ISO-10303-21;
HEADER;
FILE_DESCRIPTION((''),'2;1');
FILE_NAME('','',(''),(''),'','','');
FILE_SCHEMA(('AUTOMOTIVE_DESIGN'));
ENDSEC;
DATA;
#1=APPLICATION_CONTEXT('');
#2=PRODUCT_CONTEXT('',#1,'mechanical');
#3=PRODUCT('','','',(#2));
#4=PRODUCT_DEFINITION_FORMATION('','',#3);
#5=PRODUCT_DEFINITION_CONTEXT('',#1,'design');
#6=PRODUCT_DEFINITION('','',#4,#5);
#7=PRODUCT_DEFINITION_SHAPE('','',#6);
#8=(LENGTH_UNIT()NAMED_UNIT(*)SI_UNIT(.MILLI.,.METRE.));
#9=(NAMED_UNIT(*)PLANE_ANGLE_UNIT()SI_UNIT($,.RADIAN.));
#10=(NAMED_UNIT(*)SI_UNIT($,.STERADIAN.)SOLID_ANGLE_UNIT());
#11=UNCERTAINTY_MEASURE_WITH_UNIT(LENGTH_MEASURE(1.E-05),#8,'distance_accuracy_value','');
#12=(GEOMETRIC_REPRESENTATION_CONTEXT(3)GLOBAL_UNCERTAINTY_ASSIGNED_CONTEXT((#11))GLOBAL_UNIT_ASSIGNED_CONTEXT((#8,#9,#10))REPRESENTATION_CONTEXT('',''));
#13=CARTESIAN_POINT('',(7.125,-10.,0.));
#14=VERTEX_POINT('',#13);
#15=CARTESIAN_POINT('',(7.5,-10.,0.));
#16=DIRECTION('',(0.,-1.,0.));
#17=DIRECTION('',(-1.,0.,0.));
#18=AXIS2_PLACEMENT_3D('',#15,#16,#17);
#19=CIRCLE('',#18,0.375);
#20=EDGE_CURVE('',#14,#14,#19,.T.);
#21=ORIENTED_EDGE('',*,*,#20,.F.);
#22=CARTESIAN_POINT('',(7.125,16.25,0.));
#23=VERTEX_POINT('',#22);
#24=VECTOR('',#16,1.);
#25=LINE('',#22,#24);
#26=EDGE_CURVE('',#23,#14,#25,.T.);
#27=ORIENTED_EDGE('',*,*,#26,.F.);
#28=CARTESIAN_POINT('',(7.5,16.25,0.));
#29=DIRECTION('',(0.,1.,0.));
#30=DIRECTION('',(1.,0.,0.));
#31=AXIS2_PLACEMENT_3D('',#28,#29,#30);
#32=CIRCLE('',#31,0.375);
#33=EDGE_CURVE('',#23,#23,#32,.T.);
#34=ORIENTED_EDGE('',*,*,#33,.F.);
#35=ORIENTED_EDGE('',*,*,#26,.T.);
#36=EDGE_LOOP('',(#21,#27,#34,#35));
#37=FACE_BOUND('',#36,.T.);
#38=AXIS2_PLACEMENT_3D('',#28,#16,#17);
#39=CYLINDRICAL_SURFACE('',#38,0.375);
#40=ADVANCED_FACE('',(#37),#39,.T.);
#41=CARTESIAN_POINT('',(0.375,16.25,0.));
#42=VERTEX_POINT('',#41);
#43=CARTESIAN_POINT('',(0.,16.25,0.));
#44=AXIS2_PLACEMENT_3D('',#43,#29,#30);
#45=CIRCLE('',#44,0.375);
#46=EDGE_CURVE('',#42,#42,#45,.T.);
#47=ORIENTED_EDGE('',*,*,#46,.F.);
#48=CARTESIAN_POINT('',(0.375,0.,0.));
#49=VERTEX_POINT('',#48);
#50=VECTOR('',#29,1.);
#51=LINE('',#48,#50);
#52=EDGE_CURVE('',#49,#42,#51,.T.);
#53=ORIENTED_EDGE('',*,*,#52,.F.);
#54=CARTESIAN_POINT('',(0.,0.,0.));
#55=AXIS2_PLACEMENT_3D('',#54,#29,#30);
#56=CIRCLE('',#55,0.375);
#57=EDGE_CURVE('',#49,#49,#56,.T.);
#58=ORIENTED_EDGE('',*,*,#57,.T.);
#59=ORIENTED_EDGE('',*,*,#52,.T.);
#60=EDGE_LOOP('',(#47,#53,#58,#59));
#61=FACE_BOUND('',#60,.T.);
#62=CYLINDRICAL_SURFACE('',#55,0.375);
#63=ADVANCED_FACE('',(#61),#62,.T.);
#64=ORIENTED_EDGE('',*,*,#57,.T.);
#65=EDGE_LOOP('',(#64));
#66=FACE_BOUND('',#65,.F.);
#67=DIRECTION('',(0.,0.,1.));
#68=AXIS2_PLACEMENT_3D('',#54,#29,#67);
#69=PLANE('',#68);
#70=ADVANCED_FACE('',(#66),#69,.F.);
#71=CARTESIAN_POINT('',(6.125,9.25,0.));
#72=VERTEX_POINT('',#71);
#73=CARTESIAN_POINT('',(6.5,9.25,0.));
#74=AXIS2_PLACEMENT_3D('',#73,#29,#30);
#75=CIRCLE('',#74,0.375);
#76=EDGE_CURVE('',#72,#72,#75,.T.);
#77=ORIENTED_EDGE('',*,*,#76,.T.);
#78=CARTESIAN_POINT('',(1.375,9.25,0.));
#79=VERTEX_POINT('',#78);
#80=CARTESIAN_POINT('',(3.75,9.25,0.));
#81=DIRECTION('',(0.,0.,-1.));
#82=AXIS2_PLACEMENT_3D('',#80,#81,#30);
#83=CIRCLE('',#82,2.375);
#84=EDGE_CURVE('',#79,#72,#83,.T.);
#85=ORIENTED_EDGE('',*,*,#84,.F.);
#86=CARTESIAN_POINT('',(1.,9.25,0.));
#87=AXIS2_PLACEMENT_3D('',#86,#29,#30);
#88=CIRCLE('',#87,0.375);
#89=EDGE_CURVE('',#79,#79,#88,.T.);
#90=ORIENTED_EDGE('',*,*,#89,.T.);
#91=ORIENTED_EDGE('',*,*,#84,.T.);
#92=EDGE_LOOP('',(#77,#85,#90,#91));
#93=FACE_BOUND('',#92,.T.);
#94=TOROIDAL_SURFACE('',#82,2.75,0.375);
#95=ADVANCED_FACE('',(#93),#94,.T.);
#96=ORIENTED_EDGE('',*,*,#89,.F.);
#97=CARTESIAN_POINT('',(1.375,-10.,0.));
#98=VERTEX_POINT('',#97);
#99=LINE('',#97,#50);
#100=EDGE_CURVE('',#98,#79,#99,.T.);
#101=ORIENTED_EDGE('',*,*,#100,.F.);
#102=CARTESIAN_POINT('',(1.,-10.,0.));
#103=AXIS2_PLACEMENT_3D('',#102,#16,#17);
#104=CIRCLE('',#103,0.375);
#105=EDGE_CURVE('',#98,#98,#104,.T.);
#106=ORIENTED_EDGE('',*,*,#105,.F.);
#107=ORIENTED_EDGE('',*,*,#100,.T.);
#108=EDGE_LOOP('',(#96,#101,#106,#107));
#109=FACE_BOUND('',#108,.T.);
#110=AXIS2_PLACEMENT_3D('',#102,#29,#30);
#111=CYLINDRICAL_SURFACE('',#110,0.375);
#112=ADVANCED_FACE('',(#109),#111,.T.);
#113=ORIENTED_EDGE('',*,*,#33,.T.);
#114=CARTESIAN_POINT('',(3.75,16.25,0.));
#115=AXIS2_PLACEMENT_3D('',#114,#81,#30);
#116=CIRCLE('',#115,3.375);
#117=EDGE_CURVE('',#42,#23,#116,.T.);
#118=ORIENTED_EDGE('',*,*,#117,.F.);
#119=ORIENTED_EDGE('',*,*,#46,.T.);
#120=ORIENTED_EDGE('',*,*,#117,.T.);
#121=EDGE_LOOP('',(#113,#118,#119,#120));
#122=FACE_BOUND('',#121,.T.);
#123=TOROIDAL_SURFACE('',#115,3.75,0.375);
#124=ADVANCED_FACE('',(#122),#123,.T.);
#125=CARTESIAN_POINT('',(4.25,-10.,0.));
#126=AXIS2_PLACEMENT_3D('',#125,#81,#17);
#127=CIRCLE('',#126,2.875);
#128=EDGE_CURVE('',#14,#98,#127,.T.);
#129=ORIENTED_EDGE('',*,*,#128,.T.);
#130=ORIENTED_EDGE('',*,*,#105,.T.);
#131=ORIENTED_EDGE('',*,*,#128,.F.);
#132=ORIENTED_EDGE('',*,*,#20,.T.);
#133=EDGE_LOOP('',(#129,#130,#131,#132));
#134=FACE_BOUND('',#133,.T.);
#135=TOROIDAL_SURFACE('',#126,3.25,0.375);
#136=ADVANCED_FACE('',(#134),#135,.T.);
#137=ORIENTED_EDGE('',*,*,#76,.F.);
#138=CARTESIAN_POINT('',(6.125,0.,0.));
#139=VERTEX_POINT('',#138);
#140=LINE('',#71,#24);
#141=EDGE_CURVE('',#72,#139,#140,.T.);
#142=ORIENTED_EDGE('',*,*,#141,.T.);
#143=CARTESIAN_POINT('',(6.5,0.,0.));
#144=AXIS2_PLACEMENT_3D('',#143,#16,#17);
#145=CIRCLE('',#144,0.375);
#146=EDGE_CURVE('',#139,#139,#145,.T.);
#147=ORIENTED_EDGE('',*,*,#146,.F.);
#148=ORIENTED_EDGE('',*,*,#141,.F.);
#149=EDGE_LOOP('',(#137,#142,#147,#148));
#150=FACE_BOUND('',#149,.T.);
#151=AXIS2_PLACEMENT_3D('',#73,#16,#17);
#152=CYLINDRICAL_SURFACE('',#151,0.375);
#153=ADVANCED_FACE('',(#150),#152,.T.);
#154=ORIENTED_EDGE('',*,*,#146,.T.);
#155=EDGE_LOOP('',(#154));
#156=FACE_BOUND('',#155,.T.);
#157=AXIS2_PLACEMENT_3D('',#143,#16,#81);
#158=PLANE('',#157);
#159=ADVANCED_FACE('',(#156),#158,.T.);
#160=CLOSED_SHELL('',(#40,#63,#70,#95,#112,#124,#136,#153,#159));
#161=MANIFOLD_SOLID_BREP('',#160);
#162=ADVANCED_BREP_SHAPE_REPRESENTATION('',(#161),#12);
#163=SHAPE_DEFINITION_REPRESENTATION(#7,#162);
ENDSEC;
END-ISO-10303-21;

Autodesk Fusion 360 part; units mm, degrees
sketch "Sweep Path" plane through (0, 0, 0) normal (0, 0, 1) x (1, 0, 0) in component "Paperclip"
  line L0 (0, 0) -> (0, 16.25)
  line L1 (0, 16.25) -> (7.5, 16.25) construction
  line L2 (7.5, 16.25) -> (7.5, -10)
  line L3 (7.5, -10) -> (1, -10) construction
  line L4 (1, -10) -> (1, 9.25)
  line L5 (1, 9.25) -> (6.5, 9.25) construction
  line L6 (6.5, 9.25) -> (6.5, 0)
  arc A0 (7.5, 16.25) -> (0, 16.25) centre (3.75, 16.25) ccw
  arc A1 (6.5, 9.25) -> (1, 9.25) centre (3.75, 9.25) ccw
  arc A2 (1, -10) -> (7.5, -10) centre (4.25, -10) ccw
  dimension "d9" = 16.25
  dimension "d10" = 7.5
  dimension "d11" = 26.25
  dimension "d12" = 6.5
  dimension "d13" = 19.25
  dimension "d14" = 5.5
  dimension "d15" = 9.25
sketch "Sweep Profile" plane through (0, 0, 0) normal (0, 1, 0) x (1, 0, 0) in component "Paperclip"
  circle A0 centre (0, 0) radius 0.375
  dimension "d16" = 0.75
sweep "Sweep1" add profiles "Sweep Profile" path "Sweep Path" along L0 A0 L2 A2 L4 A1 L6 section 1 in component "Paperclip"
component "Paperclip" placed x (1, 0, 0) y (0, 1, 0) z (0, 0, 1) at (0, 0, 0)
